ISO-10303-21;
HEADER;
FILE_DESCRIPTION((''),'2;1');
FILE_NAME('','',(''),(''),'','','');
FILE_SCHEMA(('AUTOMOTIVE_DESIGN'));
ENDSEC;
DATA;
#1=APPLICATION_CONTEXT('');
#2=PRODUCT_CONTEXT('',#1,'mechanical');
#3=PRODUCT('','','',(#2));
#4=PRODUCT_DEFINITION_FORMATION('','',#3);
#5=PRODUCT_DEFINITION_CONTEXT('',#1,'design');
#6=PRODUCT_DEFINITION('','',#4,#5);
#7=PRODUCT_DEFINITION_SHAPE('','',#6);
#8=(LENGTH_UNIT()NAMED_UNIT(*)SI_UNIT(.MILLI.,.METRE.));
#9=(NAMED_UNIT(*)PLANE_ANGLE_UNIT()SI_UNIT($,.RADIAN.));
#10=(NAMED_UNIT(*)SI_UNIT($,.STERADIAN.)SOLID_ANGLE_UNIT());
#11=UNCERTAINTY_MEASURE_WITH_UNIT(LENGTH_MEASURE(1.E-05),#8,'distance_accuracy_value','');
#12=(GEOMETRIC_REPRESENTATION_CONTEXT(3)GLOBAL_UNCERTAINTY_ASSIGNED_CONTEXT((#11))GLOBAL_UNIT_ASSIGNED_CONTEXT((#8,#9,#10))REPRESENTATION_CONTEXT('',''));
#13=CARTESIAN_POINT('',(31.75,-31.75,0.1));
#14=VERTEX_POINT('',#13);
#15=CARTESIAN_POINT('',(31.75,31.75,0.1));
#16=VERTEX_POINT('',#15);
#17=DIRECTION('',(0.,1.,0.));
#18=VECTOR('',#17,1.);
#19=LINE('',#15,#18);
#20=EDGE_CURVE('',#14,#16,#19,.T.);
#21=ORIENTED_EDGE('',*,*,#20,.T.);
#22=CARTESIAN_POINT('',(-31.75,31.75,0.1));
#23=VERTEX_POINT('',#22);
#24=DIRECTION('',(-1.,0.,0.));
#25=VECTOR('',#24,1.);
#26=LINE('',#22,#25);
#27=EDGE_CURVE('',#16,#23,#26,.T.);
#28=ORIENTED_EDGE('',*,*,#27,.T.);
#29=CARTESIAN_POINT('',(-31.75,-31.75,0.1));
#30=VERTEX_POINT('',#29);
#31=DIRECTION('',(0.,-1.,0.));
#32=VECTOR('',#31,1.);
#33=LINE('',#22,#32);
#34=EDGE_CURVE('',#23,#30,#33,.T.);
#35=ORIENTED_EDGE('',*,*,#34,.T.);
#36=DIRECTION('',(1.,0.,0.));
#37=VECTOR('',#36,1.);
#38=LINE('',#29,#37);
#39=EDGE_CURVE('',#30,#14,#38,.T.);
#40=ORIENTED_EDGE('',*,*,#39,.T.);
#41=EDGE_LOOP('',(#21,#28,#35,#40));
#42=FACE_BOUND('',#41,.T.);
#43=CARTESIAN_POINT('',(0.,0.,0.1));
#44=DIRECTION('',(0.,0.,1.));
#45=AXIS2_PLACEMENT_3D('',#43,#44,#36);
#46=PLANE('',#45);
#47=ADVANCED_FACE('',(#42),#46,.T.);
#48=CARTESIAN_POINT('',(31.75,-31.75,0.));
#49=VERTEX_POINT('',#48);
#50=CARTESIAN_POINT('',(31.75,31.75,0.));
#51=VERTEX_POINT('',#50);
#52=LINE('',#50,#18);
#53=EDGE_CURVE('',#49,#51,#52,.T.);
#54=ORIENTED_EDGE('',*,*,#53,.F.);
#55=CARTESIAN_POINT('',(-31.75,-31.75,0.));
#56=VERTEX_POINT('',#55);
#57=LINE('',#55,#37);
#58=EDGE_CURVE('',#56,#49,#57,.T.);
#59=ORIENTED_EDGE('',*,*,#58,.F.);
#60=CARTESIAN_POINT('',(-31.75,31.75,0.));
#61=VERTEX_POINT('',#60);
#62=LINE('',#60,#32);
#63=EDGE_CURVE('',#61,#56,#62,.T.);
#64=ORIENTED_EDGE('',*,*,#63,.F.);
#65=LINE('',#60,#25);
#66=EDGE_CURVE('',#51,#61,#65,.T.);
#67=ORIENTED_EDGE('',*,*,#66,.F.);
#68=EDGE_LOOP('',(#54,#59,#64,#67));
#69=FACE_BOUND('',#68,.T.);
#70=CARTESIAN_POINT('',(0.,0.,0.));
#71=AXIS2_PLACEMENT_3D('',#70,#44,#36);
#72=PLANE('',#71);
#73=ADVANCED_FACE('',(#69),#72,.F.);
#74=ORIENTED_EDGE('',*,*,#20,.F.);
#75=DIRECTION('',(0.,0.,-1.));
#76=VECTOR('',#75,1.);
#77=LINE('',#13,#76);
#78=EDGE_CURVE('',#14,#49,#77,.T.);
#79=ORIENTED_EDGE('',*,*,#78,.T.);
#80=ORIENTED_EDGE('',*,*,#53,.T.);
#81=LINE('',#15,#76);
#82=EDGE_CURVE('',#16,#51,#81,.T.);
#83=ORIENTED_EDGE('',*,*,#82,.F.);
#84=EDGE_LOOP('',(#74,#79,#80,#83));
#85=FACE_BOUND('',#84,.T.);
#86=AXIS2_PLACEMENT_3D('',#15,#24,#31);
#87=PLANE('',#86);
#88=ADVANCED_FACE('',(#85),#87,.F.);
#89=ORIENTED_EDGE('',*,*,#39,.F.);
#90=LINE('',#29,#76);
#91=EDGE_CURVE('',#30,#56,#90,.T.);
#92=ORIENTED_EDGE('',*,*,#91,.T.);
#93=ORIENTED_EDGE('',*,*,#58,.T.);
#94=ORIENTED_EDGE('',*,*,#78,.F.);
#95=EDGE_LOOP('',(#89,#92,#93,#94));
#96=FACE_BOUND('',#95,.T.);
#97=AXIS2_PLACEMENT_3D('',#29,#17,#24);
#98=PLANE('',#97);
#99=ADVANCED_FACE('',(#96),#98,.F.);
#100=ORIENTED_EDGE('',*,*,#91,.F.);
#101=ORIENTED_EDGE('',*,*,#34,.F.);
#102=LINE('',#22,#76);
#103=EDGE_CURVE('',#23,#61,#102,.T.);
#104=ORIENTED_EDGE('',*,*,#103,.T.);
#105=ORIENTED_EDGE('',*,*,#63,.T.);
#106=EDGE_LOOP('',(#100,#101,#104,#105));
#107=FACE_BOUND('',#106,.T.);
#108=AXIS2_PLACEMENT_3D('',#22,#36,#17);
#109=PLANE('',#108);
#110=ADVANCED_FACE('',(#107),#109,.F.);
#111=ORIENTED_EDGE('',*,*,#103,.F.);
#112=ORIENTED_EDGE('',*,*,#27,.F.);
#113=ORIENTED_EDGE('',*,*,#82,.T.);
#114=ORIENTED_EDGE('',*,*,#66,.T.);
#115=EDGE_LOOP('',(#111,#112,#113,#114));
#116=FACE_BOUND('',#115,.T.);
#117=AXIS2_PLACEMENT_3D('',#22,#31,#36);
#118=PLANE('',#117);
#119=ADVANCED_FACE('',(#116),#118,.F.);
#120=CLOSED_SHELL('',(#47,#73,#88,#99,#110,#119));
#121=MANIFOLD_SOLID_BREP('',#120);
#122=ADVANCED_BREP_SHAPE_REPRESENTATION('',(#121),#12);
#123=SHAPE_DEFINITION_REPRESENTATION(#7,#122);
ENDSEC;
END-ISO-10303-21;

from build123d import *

# Parameters (mm, degrees)
SKETCH1_W           = 63.5
SKETCH1_H           = 63.5
BOSS_EXTRUDE1_DEPTH = 0.1


with BuildPart() as part:
    # Sketch1 → Boss-Extrude1 (new body)
    with BuildSketch(Plane.XY):
        Rectangle(SKETCH1_W, SKETCH1_H)
    extrude(amount=BOSS_EXTRUDE1_DEPTH)


solid = part.part
